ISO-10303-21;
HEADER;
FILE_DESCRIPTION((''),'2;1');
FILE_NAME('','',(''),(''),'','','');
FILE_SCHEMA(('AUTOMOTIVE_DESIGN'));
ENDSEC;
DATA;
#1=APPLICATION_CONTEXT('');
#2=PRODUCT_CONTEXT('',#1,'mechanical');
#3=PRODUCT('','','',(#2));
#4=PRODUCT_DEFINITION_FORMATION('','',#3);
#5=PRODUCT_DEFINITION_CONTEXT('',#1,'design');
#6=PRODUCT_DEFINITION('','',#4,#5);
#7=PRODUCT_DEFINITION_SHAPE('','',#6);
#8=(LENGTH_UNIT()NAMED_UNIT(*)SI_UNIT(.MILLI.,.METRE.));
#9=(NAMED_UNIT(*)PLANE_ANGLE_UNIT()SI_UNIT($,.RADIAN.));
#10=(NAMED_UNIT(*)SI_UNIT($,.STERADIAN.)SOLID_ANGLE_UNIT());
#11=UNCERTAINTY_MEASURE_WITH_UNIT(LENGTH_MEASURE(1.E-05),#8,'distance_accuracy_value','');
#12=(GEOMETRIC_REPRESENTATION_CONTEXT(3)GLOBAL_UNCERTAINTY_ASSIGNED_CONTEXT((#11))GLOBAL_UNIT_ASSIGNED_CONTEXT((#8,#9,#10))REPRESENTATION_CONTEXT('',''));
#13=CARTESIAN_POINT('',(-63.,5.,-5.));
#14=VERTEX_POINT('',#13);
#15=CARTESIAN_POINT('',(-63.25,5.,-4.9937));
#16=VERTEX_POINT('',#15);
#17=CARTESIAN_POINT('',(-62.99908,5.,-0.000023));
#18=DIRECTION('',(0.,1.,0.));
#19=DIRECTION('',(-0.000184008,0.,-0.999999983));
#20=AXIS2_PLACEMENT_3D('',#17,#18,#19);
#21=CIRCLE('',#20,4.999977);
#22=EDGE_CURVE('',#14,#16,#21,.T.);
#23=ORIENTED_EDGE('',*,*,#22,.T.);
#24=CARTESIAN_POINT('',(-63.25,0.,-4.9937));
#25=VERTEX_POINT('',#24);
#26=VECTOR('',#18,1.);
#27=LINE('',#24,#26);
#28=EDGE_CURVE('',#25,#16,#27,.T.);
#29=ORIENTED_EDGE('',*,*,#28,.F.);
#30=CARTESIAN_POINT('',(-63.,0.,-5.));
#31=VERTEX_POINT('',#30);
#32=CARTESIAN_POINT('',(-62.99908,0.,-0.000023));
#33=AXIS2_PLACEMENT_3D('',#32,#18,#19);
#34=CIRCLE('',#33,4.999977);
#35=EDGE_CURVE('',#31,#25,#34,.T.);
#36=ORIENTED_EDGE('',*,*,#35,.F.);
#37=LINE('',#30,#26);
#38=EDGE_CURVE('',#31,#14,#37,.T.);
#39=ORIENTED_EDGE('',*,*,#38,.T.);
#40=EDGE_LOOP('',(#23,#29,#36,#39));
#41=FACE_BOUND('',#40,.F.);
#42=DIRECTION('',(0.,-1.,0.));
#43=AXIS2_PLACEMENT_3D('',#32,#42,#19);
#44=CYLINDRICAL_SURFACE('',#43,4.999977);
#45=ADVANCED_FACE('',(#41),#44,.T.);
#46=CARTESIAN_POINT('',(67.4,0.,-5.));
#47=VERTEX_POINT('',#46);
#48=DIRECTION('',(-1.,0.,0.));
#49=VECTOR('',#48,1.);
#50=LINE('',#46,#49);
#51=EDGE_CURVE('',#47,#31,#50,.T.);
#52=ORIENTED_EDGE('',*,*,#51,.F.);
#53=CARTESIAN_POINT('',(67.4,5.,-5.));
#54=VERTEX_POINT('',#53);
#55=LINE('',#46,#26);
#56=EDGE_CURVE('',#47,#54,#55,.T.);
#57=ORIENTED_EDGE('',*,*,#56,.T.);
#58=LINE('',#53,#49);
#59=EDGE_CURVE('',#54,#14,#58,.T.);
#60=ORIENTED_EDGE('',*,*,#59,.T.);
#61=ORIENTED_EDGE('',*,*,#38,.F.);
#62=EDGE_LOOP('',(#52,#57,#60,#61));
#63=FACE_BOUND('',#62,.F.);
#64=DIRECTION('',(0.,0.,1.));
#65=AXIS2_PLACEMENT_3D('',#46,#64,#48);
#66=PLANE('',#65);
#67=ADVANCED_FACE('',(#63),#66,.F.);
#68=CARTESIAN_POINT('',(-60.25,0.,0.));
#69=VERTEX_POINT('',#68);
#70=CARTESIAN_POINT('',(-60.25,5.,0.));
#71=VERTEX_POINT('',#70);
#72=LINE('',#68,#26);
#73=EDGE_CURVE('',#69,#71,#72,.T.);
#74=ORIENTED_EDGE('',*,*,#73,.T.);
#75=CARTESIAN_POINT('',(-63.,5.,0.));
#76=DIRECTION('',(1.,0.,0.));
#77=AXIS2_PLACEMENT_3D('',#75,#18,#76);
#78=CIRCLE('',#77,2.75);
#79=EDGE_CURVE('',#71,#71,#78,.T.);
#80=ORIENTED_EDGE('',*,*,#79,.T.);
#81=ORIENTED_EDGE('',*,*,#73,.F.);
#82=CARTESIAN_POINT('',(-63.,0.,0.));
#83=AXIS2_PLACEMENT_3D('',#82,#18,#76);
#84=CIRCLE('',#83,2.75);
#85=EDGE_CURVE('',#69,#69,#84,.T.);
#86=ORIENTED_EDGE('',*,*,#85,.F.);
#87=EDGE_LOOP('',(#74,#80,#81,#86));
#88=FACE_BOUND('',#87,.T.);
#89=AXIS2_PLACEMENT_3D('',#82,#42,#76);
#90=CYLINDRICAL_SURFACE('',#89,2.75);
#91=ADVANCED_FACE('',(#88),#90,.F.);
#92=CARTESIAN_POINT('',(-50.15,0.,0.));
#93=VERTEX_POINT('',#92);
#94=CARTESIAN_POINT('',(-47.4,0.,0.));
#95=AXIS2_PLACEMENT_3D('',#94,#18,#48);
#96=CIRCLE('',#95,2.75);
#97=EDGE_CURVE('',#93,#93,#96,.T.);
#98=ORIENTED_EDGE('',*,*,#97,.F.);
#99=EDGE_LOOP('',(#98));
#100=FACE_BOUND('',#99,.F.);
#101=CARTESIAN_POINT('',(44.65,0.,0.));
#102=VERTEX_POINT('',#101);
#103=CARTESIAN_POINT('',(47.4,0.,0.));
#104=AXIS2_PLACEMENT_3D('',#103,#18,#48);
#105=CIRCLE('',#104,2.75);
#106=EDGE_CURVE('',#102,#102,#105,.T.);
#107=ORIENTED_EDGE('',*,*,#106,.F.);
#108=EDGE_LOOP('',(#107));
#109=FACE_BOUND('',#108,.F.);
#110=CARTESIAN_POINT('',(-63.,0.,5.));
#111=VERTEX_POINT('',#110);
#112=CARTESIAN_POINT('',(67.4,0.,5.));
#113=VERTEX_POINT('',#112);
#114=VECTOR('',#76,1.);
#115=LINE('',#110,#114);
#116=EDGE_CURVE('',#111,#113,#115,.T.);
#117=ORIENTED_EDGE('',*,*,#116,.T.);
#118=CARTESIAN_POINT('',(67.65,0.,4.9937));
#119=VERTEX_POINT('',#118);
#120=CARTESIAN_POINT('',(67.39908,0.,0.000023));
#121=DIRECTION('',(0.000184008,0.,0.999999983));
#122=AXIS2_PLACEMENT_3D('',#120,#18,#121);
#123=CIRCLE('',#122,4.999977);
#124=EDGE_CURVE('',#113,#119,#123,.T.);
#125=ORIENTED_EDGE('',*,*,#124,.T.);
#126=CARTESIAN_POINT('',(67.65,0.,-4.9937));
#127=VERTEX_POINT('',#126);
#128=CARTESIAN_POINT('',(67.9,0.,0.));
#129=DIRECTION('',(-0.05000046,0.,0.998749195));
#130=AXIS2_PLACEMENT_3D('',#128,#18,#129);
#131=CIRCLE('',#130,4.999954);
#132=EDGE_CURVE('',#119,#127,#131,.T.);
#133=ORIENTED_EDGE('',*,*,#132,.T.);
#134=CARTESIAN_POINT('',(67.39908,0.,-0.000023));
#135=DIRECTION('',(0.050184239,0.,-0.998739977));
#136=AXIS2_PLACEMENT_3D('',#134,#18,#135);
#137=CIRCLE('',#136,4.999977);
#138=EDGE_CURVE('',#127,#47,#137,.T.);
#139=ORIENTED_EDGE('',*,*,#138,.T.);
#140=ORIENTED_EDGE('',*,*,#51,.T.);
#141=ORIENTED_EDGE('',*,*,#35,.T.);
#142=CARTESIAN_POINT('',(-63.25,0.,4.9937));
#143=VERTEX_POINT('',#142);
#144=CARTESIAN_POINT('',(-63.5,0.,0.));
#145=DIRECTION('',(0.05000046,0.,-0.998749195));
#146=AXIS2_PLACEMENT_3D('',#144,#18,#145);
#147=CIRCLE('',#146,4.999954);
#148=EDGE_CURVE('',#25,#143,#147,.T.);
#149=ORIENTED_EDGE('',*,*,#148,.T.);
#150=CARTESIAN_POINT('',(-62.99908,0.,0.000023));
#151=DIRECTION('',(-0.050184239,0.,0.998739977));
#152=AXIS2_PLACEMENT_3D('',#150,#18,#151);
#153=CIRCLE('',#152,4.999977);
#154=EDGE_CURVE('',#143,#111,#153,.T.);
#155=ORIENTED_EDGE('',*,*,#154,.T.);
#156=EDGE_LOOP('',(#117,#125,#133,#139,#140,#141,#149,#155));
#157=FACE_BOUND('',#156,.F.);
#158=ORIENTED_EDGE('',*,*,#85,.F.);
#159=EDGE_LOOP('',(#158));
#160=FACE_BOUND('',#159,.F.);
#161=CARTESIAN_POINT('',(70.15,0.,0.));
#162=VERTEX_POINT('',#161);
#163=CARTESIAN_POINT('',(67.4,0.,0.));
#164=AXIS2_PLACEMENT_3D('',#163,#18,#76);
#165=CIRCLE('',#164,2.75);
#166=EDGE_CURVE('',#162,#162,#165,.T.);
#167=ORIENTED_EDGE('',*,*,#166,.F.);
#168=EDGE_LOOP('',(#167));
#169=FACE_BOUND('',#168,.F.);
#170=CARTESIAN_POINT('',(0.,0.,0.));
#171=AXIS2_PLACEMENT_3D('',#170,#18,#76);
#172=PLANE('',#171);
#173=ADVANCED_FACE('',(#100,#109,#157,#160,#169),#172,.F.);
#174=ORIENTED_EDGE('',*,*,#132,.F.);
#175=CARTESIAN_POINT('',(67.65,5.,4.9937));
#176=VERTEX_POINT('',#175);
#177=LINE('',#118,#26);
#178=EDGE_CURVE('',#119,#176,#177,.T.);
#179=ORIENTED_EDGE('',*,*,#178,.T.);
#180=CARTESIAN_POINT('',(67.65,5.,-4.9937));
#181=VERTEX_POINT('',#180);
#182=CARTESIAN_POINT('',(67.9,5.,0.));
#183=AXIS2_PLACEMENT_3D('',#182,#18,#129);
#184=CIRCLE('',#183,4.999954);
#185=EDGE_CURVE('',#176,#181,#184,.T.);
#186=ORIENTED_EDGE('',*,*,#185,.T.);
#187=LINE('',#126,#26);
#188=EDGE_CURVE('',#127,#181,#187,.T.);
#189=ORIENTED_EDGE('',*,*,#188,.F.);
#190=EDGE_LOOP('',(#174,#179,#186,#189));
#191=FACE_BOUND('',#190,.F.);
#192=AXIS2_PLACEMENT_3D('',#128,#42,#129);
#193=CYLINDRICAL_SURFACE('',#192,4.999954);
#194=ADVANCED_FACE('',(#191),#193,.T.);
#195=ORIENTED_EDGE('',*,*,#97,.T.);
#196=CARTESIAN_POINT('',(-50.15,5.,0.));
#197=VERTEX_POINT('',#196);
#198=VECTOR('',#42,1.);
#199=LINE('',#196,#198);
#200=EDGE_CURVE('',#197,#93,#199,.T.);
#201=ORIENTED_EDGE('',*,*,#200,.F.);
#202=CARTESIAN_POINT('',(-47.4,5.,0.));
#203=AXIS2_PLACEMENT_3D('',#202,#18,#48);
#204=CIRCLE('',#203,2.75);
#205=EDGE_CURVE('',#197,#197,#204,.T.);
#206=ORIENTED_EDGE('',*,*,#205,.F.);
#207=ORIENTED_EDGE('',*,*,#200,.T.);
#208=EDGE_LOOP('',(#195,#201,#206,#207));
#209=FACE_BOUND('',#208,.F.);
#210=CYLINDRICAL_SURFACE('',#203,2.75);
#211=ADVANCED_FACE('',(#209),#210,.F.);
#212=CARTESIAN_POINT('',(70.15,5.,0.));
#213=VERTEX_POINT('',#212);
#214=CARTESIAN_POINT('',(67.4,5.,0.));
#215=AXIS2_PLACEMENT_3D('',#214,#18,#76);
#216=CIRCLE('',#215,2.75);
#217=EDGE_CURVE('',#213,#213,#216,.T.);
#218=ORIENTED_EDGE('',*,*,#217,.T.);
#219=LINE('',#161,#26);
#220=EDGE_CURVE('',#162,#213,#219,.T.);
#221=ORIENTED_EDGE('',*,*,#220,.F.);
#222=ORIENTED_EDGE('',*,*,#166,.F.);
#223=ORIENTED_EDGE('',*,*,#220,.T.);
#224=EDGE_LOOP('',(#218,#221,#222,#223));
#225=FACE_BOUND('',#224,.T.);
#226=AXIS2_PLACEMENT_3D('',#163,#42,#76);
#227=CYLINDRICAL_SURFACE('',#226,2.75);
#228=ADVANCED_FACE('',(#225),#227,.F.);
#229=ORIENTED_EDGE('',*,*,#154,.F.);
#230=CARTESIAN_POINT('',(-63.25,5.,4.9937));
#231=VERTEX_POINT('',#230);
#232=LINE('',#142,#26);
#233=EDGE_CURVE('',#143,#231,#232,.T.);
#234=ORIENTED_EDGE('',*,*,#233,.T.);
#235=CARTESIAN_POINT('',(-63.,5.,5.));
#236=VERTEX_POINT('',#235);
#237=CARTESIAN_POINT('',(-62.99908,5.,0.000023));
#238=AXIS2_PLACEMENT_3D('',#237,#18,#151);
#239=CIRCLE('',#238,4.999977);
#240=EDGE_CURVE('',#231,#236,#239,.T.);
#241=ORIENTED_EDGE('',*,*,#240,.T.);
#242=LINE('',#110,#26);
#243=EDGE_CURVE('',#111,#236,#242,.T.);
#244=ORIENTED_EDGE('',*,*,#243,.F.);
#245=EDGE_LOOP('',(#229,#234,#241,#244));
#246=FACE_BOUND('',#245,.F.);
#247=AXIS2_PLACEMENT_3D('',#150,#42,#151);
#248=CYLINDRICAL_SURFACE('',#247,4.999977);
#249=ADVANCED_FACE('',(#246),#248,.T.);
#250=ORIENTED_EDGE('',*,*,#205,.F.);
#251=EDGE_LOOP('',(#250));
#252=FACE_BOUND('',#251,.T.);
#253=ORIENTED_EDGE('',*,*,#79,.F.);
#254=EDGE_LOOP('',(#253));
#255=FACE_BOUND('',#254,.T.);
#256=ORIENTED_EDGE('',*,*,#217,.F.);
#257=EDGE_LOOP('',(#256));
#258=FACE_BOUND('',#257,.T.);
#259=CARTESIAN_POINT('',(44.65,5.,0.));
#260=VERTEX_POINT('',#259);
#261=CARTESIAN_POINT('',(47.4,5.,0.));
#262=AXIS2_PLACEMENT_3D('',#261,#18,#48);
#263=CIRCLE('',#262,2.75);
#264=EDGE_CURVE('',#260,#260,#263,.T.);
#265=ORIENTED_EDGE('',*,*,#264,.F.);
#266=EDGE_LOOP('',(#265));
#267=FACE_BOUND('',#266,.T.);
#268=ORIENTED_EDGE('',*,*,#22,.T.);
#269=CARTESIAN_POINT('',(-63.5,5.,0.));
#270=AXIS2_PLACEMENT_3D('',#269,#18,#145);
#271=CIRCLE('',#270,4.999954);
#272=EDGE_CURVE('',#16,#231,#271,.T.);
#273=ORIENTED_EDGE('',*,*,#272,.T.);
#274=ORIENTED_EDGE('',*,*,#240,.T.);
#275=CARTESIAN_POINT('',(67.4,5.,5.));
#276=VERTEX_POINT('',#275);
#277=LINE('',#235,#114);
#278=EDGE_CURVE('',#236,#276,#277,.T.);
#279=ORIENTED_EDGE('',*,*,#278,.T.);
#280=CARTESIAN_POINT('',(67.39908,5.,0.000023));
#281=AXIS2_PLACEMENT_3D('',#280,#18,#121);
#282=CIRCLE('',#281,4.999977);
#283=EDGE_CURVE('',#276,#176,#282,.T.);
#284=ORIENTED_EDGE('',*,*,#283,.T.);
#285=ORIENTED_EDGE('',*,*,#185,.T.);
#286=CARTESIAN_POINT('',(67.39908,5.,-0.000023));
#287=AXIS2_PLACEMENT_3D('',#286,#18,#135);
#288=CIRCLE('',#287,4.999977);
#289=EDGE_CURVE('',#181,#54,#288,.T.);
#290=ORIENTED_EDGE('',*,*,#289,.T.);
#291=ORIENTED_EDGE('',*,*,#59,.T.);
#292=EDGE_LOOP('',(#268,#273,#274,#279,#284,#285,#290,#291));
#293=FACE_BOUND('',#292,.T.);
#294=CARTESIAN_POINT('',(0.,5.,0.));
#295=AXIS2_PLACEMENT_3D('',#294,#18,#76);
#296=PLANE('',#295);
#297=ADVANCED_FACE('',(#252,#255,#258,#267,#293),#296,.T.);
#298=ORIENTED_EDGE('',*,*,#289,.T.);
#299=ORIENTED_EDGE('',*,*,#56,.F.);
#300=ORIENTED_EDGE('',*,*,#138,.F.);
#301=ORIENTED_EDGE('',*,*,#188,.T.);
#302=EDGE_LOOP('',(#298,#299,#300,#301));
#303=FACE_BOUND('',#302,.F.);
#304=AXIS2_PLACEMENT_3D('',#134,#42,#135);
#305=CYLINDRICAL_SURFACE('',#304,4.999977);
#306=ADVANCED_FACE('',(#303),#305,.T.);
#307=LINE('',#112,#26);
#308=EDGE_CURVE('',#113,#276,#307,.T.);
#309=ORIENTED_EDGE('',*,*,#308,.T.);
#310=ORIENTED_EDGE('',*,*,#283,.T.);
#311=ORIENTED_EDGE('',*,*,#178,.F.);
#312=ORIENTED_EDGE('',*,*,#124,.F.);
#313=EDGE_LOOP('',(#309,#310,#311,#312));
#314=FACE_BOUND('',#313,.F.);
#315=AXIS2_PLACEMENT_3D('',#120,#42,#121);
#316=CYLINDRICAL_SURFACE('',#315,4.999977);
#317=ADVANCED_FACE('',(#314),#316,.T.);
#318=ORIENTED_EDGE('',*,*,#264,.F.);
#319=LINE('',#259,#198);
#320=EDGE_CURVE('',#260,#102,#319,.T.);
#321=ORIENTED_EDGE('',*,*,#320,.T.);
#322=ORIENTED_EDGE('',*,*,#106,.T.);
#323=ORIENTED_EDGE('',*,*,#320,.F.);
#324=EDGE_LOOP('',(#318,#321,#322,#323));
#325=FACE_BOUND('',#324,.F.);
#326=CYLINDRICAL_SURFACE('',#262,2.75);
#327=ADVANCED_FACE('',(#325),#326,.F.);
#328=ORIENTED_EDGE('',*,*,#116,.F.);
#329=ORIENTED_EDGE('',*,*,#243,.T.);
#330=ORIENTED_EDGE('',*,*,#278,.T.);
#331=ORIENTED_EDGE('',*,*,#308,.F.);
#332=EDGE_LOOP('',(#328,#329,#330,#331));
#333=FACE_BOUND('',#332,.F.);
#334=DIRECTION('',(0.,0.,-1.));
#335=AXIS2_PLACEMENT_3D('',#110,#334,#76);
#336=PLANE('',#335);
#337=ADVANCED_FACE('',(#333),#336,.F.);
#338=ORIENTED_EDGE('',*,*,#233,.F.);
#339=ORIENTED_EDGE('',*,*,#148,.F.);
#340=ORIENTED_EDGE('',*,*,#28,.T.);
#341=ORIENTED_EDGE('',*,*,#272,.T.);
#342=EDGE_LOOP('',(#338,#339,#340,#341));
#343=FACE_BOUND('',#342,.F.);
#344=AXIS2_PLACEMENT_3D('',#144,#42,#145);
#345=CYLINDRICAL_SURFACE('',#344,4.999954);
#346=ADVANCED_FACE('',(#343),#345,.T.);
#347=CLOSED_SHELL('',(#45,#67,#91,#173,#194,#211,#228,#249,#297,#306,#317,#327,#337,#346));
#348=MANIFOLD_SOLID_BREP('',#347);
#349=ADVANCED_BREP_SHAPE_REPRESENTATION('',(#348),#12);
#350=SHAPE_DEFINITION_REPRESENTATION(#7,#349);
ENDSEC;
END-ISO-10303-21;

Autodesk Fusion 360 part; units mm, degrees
sketch "Boceto1" plane through (0, 0, 0) normal (0, 1, 0) x (1, 0, 0)
  line L0 (-63, -5) -> (67.4, -5)
  line L1 (67.4, 5) -> (-63, 5)
  line L2 (-67.4, 0) -> (67.4, 0) construction
  circle A0 centre (67.4, 0) radius 2.75
  circle A1 centre (-63, 0) radius 2.75
  arc A2 (-63, 5) -> (-63.25, 4.9937) centre (-63, 0) ccw
  arc A3 (-63.25, -4.9937) -> (-63, -5) centre (-63, 0) ccw
  arc A4 (-63.25, 4.9937) -> (-63.25, -4.9937) centre (-63.5, 0) ccw
  arc A5 (67.4, -5) -> (67.65, -4.9937) centre (67.4, 0) ccw
  arc A6 (67.65, 4.9937) -> (67.4, 5) centre (67.4, 0) ccw
  arc A7 (67.65, -4.9937) -> (67.65, 4.9937) centre (67.9, 0) ccw
  dimension "d1" = 10
  dimension "d4" = 5.5
  dimension "d11" = 5.5
  dimension "d12" = 130.4
  dimension "d13" = 10
  dimension "d14" = 0.5
  dimension "d15" = 10
  dimension "d16" = 0.5
extrude "Extruir1" add sketch "Boceto1" along normal blind 5
sketch "Boceto2" plane through (0, 5, 0) normal (0, 1, 0) x (-1, 0, 0)
  circle A0 centre (-67.4, 0) radius 2.75
  line L0 (63, 5) -> (-67.4, 5)
  arc A1 (-67.65, -4.9937) -> (-67.4, -5) centre (-67.4, 0) ccw
  line L1 (-67.4, -5) -> (63, -5)
  circle A2 centre (47.4, 0) radius 2.75
  line L2 (0, 0) -> (0, -16) construction
  circle A3 centre (-47.4, 0) radius 2.75
  arc A4 (-67.65, 4.9937) -> (-67.65, -4.9937) centre (-67.9, 0) ccw
  arc A5 (63, -5) -> (63.25, -4.9937) centre (63, 0) ccw
  arc A6 (63.25, -4.9937) -> (63.25, 4.9937) centre (63.5, 0) ccw
  arc A7 (63.25, 4.9937) -> (63, 5) centre (63, 0) ccw
  arc A8 (-67.4, 5) -> (-67.65, 4.9937) centre (-67.4, 0) ccw
  circle A9 centre (63, 0) radius 2.75
  dimension "d7" = 5.5
  dimension "d17" = 47.4
  dimension "d18" = 47.4
extrude "Extruir2" cut sketch "Boceto2" against normal blind 13 contours A2 | A3
